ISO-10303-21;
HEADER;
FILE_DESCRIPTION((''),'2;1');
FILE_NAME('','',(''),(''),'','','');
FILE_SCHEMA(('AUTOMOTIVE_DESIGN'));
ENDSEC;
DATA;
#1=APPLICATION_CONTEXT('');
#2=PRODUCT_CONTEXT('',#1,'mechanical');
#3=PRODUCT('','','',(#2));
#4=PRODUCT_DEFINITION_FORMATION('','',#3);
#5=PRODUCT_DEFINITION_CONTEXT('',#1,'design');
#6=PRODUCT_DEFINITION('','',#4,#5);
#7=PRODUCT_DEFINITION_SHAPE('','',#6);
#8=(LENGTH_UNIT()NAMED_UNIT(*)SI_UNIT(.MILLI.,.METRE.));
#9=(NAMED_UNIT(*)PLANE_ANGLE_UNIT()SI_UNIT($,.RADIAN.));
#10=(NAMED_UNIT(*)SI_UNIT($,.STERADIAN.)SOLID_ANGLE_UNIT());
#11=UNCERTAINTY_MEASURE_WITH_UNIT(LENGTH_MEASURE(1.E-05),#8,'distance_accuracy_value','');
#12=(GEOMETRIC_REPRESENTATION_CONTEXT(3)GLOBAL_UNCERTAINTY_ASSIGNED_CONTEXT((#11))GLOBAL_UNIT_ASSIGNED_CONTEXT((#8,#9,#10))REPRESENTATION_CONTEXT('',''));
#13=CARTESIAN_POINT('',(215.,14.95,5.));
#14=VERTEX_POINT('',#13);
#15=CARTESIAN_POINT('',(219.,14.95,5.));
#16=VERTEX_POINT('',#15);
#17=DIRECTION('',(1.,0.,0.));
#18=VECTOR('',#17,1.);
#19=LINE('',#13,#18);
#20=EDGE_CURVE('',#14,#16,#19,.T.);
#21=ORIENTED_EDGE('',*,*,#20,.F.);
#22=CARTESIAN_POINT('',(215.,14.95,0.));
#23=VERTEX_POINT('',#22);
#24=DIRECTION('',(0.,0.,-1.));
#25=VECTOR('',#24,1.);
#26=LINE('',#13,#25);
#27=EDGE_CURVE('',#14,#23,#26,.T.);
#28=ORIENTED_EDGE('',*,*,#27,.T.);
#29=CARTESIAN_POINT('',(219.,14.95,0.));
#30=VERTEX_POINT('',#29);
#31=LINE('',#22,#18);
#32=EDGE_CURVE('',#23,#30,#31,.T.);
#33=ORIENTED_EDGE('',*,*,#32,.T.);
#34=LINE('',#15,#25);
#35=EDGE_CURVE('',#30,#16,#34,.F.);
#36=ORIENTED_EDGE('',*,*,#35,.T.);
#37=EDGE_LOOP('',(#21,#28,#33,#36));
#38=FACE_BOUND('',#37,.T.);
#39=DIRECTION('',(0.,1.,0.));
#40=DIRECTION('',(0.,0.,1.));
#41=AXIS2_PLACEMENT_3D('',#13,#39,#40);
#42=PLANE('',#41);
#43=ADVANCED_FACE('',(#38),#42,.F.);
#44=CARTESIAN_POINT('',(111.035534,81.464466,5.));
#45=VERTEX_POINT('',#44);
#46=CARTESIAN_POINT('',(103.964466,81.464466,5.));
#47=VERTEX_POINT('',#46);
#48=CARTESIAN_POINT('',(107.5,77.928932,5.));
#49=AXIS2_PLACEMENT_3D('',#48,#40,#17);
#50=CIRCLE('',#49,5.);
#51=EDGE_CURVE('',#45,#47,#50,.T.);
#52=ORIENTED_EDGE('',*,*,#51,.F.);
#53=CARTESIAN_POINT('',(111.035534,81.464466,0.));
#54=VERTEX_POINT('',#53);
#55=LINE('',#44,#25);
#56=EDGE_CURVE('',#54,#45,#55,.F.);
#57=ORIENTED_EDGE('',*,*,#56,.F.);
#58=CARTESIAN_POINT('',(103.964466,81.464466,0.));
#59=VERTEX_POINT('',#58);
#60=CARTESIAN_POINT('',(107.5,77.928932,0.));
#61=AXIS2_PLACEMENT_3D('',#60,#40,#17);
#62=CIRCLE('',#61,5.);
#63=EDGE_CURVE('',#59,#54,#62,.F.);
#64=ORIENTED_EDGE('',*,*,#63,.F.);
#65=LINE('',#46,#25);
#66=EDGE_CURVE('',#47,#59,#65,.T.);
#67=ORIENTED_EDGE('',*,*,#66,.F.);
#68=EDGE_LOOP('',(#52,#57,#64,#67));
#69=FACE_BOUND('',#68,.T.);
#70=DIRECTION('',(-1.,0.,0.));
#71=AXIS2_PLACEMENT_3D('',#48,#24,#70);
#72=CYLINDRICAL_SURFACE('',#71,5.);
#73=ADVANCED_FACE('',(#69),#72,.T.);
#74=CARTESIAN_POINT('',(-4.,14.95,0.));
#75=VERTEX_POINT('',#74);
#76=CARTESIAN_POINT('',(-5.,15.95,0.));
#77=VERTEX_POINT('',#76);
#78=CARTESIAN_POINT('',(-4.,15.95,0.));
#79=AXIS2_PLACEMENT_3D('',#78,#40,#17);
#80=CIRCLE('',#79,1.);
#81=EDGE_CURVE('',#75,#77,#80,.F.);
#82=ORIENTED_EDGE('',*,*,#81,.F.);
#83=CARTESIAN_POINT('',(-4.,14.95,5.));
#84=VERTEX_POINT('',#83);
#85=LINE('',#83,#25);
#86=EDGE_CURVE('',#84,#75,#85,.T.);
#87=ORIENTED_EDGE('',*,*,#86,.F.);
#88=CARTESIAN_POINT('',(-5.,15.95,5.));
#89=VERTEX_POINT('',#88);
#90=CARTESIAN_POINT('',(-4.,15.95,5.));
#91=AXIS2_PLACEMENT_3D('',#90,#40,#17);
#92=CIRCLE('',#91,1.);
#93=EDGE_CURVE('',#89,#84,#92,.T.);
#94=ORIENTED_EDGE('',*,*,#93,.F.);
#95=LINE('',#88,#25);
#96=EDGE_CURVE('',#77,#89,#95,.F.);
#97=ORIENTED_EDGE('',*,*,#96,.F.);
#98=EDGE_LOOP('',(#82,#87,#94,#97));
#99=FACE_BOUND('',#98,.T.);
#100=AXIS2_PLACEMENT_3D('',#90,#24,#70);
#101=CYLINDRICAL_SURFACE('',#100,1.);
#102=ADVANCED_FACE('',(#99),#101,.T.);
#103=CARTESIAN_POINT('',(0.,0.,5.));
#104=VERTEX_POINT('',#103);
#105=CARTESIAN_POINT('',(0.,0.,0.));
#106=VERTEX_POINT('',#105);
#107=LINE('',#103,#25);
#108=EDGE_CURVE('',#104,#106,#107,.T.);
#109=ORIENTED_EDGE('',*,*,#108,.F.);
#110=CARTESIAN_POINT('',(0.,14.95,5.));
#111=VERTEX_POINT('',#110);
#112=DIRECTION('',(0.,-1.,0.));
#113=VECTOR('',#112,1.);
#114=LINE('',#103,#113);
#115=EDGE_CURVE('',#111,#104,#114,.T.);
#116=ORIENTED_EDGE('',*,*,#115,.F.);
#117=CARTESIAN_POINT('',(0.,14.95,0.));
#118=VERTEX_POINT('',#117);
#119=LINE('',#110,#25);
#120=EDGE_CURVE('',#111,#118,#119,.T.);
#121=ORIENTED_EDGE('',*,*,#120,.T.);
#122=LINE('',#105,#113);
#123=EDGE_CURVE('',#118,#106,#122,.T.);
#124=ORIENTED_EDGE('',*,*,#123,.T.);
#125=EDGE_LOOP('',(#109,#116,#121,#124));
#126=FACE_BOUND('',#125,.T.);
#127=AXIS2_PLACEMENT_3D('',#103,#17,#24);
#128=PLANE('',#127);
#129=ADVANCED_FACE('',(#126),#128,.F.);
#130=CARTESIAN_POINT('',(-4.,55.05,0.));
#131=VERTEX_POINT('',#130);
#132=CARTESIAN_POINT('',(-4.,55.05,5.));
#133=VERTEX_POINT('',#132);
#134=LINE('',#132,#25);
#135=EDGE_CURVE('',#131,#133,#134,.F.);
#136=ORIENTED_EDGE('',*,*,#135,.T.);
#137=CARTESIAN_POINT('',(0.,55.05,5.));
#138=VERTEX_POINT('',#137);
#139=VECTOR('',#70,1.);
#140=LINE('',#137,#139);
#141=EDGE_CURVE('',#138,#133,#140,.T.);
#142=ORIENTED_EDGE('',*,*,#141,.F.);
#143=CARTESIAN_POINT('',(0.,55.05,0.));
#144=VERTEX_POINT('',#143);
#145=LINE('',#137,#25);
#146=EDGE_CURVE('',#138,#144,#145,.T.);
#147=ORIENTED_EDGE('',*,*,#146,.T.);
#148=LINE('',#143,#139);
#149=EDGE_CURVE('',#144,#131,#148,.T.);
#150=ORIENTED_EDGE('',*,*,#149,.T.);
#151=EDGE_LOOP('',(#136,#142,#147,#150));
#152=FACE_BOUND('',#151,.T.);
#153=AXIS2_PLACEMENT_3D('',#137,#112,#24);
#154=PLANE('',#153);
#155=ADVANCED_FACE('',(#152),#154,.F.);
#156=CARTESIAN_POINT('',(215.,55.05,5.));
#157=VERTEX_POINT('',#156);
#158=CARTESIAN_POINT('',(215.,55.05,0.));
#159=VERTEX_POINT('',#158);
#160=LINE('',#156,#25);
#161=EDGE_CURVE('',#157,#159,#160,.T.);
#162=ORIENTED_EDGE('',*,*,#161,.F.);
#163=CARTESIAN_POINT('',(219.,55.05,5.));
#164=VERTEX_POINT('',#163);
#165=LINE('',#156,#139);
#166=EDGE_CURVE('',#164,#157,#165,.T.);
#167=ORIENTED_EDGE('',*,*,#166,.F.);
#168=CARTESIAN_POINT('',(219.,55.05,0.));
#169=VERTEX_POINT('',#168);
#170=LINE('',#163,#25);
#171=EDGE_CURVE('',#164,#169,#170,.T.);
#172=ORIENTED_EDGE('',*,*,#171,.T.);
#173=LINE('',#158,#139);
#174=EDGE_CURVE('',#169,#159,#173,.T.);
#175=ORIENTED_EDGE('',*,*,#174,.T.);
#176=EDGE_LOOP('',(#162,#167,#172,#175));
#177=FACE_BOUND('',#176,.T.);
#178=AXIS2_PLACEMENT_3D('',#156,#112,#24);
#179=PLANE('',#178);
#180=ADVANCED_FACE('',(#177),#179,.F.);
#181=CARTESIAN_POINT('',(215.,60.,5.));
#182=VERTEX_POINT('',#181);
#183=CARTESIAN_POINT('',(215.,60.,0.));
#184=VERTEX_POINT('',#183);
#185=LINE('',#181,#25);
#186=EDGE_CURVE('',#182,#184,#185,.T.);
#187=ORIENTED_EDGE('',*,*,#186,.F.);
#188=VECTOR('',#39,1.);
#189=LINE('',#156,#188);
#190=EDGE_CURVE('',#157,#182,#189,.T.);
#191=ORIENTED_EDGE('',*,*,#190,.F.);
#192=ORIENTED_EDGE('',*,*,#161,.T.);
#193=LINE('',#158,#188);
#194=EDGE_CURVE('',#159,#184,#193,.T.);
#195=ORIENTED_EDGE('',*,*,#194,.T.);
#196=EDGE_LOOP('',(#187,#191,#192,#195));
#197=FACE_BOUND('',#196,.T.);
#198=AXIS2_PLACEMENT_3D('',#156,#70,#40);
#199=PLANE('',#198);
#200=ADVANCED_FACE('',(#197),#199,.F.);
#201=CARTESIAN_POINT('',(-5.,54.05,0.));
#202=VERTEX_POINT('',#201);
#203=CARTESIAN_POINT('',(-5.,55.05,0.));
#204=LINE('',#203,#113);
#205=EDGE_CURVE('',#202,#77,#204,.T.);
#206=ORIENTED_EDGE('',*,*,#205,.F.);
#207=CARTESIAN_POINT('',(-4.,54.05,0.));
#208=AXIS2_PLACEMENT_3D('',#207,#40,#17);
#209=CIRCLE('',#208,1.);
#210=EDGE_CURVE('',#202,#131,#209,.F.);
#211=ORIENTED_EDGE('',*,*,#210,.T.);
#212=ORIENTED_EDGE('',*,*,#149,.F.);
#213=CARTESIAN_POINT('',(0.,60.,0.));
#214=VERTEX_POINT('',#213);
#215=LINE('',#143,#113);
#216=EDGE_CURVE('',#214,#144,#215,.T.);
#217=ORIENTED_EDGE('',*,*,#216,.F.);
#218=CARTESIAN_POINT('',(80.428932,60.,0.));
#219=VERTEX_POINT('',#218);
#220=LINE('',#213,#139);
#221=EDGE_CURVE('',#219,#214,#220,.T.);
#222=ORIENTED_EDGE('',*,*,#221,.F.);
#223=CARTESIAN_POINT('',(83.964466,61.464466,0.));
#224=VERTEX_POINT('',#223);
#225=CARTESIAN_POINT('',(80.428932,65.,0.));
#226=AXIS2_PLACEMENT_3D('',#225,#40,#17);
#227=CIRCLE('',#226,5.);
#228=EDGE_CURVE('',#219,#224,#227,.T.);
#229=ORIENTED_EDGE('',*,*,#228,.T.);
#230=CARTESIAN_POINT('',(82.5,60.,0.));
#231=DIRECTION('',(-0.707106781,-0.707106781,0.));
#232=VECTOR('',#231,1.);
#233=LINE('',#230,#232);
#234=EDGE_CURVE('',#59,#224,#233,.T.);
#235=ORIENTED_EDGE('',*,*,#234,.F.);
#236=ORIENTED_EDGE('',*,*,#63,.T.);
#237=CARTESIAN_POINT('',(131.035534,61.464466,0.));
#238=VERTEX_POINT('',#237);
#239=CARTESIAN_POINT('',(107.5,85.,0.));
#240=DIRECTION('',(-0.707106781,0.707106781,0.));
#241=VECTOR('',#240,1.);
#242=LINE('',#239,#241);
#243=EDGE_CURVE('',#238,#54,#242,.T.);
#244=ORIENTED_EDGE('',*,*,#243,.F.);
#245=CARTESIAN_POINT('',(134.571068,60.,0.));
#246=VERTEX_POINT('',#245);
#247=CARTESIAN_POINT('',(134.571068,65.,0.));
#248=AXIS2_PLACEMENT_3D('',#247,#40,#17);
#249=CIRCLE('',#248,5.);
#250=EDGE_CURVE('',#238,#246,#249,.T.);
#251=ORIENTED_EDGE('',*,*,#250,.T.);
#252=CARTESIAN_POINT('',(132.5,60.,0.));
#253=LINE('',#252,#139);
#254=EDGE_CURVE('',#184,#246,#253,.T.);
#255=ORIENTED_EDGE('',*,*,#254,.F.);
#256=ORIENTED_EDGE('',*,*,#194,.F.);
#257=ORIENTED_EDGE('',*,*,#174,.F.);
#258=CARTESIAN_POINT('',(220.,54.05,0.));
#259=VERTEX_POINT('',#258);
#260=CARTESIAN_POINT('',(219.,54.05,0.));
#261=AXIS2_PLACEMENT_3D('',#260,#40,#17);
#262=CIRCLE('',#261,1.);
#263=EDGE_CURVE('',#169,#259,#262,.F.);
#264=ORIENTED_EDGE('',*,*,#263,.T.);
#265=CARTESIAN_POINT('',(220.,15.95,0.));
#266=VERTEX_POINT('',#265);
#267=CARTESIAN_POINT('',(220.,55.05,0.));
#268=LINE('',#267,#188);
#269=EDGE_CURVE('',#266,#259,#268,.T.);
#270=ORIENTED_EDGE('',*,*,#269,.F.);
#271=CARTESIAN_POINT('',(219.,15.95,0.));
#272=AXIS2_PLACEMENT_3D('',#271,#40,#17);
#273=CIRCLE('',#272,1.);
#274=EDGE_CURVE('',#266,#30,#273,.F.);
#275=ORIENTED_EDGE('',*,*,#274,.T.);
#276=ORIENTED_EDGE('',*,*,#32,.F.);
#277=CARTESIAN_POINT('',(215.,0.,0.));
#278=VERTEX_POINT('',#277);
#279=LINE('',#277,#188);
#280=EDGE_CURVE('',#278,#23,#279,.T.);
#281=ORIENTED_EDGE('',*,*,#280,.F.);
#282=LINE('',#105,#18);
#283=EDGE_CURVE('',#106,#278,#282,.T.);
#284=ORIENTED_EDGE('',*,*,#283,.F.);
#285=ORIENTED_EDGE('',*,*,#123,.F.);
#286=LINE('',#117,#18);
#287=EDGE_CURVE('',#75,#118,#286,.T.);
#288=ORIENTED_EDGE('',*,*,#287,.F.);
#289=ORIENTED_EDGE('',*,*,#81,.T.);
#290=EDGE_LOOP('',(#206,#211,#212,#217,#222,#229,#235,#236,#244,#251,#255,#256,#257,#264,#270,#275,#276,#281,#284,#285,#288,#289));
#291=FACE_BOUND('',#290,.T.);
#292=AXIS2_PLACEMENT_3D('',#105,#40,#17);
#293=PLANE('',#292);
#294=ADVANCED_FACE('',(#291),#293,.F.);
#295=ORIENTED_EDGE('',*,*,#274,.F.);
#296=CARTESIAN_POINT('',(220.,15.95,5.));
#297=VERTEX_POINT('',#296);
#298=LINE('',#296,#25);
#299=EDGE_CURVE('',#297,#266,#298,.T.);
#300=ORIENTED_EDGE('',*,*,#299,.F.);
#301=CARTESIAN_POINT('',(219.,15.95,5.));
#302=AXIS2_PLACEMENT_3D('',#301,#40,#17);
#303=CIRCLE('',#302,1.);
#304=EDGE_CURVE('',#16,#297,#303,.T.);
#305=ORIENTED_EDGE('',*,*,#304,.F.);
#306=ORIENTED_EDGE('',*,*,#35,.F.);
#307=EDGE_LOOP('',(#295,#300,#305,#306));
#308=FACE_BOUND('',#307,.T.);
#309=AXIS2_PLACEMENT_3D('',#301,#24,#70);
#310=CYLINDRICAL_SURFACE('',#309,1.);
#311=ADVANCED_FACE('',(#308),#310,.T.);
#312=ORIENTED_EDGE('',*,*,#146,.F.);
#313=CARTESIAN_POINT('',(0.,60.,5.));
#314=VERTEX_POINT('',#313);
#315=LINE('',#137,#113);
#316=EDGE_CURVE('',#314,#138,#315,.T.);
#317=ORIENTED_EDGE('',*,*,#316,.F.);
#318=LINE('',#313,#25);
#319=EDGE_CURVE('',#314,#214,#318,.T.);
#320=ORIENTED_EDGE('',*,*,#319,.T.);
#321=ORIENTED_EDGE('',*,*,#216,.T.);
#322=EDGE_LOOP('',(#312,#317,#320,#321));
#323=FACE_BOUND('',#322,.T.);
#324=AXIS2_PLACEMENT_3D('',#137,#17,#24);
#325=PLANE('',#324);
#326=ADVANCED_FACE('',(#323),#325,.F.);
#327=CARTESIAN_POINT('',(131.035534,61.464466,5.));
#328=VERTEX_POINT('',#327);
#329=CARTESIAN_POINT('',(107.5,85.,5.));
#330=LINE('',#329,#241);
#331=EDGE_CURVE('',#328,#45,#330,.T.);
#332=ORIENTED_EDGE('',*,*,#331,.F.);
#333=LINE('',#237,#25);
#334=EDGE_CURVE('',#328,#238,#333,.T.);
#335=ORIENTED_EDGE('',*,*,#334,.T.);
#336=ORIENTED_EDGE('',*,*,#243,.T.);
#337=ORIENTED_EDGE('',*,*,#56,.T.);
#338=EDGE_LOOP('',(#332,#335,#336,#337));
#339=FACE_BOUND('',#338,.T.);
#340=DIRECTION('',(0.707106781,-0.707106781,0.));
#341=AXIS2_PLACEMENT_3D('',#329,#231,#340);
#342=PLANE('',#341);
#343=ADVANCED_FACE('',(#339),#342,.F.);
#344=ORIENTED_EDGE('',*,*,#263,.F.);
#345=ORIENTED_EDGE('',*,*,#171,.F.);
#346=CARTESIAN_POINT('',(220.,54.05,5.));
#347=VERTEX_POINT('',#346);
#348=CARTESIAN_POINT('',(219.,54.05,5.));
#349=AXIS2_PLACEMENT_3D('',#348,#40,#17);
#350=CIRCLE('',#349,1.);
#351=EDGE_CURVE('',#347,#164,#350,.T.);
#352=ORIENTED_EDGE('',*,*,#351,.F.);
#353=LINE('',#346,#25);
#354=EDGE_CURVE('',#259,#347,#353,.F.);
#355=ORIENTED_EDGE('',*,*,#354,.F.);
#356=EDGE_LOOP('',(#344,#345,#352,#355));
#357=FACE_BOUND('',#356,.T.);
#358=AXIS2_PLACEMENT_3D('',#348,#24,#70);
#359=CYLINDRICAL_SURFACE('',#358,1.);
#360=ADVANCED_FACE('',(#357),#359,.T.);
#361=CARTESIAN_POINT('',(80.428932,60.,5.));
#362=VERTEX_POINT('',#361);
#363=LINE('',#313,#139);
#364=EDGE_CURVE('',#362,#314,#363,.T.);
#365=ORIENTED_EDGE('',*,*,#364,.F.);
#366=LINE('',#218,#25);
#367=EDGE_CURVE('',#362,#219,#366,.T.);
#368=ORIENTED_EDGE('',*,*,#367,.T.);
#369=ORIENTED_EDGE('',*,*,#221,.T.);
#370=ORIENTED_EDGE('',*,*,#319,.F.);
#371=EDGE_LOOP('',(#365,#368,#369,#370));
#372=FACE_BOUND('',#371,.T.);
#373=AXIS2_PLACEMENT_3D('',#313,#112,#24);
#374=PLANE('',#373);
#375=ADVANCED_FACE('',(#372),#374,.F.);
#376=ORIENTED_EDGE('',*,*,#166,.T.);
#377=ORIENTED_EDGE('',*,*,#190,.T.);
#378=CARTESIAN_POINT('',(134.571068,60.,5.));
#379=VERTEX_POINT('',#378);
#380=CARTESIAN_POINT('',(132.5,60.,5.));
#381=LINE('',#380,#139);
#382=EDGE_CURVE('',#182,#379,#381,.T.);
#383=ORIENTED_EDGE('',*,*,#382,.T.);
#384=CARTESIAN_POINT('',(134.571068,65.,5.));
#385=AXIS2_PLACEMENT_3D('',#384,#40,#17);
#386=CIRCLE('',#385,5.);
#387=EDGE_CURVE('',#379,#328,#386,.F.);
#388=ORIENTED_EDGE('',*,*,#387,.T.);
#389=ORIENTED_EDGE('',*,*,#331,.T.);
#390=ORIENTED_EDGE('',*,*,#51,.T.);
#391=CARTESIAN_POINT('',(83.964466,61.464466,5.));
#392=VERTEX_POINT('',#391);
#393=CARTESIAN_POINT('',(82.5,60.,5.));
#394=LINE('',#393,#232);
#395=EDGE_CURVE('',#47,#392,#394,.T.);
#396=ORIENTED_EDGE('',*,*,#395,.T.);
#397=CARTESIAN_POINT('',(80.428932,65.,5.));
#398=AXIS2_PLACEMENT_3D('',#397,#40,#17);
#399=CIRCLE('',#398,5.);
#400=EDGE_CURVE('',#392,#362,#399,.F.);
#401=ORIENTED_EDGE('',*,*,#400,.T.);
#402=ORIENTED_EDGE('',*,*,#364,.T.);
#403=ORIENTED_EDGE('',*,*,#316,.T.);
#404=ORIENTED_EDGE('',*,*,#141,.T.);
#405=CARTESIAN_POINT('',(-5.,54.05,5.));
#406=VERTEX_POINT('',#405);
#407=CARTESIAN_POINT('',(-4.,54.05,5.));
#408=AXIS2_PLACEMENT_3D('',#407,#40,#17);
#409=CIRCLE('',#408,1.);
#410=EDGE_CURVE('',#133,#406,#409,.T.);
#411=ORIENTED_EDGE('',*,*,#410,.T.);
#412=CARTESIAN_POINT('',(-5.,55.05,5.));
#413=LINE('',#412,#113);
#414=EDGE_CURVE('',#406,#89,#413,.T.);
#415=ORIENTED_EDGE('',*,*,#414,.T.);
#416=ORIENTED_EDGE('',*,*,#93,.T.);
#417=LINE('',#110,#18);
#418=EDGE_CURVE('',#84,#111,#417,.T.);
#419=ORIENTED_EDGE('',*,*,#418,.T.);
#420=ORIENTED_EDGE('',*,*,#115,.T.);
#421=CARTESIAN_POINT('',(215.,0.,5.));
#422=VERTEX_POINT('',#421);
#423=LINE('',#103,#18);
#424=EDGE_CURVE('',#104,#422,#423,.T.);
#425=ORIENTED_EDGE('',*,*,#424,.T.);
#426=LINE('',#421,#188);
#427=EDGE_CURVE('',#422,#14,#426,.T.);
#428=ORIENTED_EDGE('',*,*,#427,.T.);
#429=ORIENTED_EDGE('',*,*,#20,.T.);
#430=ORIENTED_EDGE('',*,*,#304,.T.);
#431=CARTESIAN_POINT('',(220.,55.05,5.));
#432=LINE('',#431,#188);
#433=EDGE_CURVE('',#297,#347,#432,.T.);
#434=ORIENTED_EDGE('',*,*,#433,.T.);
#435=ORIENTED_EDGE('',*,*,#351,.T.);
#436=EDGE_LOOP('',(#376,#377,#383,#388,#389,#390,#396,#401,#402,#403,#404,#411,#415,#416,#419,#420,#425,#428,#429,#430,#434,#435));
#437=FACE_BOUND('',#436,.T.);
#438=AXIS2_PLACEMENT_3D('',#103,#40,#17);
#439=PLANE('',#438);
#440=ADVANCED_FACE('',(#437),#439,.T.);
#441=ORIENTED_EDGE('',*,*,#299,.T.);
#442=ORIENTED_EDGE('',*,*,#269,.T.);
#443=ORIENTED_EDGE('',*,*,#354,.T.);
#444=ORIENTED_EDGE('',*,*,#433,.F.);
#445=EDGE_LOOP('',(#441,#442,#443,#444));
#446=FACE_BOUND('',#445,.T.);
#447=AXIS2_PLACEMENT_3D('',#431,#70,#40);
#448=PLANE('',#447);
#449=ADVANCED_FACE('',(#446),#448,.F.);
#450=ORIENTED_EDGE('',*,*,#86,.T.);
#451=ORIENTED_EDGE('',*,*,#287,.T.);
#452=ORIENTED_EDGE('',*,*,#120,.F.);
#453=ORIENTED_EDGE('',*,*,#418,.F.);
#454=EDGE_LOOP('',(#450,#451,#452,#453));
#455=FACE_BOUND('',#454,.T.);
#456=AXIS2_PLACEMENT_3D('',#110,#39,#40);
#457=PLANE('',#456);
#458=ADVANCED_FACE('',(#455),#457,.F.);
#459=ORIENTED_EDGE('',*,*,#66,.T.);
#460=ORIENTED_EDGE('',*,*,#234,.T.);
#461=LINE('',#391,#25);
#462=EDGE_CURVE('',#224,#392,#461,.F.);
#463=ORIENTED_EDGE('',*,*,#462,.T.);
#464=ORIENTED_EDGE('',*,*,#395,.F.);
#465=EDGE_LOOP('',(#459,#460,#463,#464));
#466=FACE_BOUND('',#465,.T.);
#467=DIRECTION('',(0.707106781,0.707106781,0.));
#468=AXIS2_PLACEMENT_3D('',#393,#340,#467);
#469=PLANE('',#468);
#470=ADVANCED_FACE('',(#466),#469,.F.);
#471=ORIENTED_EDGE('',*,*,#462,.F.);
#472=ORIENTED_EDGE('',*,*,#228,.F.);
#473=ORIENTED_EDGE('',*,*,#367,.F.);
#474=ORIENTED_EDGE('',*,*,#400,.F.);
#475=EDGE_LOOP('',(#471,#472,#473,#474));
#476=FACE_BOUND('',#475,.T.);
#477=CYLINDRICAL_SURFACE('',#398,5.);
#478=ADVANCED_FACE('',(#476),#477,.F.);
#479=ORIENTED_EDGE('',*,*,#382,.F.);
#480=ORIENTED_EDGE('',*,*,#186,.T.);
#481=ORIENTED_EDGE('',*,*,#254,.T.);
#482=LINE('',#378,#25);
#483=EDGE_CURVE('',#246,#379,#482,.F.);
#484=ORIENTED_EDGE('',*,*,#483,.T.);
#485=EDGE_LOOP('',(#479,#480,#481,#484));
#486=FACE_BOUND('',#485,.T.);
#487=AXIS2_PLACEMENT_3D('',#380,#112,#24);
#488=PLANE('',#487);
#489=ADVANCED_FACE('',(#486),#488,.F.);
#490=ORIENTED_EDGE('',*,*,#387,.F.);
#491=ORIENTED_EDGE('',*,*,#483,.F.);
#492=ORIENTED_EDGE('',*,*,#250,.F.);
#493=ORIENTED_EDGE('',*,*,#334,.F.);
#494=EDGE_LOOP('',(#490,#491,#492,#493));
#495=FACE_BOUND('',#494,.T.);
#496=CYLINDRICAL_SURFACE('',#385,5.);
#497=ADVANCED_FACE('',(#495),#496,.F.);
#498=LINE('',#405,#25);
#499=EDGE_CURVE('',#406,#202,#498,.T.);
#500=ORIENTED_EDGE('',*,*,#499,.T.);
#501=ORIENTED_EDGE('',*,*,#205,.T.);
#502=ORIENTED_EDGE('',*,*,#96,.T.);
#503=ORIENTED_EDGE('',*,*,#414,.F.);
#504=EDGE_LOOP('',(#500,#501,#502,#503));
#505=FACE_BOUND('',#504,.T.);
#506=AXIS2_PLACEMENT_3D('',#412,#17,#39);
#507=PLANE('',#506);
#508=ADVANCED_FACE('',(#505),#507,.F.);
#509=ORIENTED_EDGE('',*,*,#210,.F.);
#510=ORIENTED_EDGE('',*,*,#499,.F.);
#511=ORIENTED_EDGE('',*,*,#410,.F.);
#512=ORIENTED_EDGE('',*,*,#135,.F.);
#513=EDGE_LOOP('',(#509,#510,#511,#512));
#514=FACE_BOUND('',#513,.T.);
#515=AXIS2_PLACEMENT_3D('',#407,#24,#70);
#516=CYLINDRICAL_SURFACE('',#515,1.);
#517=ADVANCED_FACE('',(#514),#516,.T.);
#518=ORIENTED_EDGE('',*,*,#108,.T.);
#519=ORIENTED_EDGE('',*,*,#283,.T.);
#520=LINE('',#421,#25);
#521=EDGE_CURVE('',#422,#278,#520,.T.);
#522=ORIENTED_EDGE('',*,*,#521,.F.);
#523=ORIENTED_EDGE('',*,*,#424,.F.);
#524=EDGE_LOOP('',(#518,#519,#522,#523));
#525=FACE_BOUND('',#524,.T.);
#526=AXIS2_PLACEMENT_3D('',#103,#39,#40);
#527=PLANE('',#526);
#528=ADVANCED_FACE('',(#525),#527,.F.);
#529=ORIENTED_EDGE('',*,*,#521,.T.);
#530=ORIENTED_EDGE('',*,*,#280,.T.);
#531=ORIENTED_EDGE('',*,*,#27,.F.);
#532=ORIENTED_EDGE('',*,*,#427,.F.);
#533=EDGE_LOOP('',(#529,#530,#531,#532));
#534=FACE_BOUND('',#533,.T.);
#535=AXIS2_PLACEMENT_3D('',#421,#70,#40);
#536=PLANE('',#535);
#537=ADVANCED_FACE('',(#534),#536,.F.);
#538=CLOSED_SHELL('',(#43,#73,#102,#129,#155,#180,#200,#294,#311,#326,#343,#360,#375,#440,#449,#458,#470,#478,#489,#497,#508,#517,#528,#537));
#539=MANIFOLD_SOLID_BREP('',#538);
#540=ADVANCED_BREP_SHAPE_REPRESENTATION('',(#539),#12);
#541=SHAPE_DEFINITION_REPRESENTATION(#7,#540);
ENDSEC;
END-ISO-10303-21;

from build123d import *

# Parameters (mm, degrees)
BOSS_EXTRUDE1_DEPTH = 5
FILLET1_R           = 5
FILLET2_R           = 1


with BuildPart() as part:
    # Sketch1 → Boss-Extrude1 (new body)
    with BuildSketch(Plane.XY):
        Polygon((215, 55.05), (215, 60), (132.5, 60), (107.5, 85), (82.5, 60), (0, 60), (0, 55.05), (-5, 55.05), (-5, 14.95), (0, 14.95), (0, 0), (215, 0), (215, 14.95), (220, 14.95), (220, 55.05), align=None)
    extrude(amount=BOSS_EXTRUDE1_DEPTH)

    # Fillet1
    fillet1_edges = [part.edges().sort_by_distance(p)[0] for p in [
        (82.5, 60, 2.5),
        (107.5, 85, 2.5),
        (132.5, 60, 2.5),
    ]]
    fillet(fillet1_edges, radius=FILLET1_R)

    # Fillet2
    fillet2_edges = [part.edges().sort_by_distance(p)[0] for p in [
        (-5, 14.95, 2.5),
        (-5, 55.05, 2.5),
        (220, 55.05, 2.5),
        (220, 14.95, 2.5),
    ]]
    fillet(fillet2_edges, radius=FILLET2_R)


solid = part.part
